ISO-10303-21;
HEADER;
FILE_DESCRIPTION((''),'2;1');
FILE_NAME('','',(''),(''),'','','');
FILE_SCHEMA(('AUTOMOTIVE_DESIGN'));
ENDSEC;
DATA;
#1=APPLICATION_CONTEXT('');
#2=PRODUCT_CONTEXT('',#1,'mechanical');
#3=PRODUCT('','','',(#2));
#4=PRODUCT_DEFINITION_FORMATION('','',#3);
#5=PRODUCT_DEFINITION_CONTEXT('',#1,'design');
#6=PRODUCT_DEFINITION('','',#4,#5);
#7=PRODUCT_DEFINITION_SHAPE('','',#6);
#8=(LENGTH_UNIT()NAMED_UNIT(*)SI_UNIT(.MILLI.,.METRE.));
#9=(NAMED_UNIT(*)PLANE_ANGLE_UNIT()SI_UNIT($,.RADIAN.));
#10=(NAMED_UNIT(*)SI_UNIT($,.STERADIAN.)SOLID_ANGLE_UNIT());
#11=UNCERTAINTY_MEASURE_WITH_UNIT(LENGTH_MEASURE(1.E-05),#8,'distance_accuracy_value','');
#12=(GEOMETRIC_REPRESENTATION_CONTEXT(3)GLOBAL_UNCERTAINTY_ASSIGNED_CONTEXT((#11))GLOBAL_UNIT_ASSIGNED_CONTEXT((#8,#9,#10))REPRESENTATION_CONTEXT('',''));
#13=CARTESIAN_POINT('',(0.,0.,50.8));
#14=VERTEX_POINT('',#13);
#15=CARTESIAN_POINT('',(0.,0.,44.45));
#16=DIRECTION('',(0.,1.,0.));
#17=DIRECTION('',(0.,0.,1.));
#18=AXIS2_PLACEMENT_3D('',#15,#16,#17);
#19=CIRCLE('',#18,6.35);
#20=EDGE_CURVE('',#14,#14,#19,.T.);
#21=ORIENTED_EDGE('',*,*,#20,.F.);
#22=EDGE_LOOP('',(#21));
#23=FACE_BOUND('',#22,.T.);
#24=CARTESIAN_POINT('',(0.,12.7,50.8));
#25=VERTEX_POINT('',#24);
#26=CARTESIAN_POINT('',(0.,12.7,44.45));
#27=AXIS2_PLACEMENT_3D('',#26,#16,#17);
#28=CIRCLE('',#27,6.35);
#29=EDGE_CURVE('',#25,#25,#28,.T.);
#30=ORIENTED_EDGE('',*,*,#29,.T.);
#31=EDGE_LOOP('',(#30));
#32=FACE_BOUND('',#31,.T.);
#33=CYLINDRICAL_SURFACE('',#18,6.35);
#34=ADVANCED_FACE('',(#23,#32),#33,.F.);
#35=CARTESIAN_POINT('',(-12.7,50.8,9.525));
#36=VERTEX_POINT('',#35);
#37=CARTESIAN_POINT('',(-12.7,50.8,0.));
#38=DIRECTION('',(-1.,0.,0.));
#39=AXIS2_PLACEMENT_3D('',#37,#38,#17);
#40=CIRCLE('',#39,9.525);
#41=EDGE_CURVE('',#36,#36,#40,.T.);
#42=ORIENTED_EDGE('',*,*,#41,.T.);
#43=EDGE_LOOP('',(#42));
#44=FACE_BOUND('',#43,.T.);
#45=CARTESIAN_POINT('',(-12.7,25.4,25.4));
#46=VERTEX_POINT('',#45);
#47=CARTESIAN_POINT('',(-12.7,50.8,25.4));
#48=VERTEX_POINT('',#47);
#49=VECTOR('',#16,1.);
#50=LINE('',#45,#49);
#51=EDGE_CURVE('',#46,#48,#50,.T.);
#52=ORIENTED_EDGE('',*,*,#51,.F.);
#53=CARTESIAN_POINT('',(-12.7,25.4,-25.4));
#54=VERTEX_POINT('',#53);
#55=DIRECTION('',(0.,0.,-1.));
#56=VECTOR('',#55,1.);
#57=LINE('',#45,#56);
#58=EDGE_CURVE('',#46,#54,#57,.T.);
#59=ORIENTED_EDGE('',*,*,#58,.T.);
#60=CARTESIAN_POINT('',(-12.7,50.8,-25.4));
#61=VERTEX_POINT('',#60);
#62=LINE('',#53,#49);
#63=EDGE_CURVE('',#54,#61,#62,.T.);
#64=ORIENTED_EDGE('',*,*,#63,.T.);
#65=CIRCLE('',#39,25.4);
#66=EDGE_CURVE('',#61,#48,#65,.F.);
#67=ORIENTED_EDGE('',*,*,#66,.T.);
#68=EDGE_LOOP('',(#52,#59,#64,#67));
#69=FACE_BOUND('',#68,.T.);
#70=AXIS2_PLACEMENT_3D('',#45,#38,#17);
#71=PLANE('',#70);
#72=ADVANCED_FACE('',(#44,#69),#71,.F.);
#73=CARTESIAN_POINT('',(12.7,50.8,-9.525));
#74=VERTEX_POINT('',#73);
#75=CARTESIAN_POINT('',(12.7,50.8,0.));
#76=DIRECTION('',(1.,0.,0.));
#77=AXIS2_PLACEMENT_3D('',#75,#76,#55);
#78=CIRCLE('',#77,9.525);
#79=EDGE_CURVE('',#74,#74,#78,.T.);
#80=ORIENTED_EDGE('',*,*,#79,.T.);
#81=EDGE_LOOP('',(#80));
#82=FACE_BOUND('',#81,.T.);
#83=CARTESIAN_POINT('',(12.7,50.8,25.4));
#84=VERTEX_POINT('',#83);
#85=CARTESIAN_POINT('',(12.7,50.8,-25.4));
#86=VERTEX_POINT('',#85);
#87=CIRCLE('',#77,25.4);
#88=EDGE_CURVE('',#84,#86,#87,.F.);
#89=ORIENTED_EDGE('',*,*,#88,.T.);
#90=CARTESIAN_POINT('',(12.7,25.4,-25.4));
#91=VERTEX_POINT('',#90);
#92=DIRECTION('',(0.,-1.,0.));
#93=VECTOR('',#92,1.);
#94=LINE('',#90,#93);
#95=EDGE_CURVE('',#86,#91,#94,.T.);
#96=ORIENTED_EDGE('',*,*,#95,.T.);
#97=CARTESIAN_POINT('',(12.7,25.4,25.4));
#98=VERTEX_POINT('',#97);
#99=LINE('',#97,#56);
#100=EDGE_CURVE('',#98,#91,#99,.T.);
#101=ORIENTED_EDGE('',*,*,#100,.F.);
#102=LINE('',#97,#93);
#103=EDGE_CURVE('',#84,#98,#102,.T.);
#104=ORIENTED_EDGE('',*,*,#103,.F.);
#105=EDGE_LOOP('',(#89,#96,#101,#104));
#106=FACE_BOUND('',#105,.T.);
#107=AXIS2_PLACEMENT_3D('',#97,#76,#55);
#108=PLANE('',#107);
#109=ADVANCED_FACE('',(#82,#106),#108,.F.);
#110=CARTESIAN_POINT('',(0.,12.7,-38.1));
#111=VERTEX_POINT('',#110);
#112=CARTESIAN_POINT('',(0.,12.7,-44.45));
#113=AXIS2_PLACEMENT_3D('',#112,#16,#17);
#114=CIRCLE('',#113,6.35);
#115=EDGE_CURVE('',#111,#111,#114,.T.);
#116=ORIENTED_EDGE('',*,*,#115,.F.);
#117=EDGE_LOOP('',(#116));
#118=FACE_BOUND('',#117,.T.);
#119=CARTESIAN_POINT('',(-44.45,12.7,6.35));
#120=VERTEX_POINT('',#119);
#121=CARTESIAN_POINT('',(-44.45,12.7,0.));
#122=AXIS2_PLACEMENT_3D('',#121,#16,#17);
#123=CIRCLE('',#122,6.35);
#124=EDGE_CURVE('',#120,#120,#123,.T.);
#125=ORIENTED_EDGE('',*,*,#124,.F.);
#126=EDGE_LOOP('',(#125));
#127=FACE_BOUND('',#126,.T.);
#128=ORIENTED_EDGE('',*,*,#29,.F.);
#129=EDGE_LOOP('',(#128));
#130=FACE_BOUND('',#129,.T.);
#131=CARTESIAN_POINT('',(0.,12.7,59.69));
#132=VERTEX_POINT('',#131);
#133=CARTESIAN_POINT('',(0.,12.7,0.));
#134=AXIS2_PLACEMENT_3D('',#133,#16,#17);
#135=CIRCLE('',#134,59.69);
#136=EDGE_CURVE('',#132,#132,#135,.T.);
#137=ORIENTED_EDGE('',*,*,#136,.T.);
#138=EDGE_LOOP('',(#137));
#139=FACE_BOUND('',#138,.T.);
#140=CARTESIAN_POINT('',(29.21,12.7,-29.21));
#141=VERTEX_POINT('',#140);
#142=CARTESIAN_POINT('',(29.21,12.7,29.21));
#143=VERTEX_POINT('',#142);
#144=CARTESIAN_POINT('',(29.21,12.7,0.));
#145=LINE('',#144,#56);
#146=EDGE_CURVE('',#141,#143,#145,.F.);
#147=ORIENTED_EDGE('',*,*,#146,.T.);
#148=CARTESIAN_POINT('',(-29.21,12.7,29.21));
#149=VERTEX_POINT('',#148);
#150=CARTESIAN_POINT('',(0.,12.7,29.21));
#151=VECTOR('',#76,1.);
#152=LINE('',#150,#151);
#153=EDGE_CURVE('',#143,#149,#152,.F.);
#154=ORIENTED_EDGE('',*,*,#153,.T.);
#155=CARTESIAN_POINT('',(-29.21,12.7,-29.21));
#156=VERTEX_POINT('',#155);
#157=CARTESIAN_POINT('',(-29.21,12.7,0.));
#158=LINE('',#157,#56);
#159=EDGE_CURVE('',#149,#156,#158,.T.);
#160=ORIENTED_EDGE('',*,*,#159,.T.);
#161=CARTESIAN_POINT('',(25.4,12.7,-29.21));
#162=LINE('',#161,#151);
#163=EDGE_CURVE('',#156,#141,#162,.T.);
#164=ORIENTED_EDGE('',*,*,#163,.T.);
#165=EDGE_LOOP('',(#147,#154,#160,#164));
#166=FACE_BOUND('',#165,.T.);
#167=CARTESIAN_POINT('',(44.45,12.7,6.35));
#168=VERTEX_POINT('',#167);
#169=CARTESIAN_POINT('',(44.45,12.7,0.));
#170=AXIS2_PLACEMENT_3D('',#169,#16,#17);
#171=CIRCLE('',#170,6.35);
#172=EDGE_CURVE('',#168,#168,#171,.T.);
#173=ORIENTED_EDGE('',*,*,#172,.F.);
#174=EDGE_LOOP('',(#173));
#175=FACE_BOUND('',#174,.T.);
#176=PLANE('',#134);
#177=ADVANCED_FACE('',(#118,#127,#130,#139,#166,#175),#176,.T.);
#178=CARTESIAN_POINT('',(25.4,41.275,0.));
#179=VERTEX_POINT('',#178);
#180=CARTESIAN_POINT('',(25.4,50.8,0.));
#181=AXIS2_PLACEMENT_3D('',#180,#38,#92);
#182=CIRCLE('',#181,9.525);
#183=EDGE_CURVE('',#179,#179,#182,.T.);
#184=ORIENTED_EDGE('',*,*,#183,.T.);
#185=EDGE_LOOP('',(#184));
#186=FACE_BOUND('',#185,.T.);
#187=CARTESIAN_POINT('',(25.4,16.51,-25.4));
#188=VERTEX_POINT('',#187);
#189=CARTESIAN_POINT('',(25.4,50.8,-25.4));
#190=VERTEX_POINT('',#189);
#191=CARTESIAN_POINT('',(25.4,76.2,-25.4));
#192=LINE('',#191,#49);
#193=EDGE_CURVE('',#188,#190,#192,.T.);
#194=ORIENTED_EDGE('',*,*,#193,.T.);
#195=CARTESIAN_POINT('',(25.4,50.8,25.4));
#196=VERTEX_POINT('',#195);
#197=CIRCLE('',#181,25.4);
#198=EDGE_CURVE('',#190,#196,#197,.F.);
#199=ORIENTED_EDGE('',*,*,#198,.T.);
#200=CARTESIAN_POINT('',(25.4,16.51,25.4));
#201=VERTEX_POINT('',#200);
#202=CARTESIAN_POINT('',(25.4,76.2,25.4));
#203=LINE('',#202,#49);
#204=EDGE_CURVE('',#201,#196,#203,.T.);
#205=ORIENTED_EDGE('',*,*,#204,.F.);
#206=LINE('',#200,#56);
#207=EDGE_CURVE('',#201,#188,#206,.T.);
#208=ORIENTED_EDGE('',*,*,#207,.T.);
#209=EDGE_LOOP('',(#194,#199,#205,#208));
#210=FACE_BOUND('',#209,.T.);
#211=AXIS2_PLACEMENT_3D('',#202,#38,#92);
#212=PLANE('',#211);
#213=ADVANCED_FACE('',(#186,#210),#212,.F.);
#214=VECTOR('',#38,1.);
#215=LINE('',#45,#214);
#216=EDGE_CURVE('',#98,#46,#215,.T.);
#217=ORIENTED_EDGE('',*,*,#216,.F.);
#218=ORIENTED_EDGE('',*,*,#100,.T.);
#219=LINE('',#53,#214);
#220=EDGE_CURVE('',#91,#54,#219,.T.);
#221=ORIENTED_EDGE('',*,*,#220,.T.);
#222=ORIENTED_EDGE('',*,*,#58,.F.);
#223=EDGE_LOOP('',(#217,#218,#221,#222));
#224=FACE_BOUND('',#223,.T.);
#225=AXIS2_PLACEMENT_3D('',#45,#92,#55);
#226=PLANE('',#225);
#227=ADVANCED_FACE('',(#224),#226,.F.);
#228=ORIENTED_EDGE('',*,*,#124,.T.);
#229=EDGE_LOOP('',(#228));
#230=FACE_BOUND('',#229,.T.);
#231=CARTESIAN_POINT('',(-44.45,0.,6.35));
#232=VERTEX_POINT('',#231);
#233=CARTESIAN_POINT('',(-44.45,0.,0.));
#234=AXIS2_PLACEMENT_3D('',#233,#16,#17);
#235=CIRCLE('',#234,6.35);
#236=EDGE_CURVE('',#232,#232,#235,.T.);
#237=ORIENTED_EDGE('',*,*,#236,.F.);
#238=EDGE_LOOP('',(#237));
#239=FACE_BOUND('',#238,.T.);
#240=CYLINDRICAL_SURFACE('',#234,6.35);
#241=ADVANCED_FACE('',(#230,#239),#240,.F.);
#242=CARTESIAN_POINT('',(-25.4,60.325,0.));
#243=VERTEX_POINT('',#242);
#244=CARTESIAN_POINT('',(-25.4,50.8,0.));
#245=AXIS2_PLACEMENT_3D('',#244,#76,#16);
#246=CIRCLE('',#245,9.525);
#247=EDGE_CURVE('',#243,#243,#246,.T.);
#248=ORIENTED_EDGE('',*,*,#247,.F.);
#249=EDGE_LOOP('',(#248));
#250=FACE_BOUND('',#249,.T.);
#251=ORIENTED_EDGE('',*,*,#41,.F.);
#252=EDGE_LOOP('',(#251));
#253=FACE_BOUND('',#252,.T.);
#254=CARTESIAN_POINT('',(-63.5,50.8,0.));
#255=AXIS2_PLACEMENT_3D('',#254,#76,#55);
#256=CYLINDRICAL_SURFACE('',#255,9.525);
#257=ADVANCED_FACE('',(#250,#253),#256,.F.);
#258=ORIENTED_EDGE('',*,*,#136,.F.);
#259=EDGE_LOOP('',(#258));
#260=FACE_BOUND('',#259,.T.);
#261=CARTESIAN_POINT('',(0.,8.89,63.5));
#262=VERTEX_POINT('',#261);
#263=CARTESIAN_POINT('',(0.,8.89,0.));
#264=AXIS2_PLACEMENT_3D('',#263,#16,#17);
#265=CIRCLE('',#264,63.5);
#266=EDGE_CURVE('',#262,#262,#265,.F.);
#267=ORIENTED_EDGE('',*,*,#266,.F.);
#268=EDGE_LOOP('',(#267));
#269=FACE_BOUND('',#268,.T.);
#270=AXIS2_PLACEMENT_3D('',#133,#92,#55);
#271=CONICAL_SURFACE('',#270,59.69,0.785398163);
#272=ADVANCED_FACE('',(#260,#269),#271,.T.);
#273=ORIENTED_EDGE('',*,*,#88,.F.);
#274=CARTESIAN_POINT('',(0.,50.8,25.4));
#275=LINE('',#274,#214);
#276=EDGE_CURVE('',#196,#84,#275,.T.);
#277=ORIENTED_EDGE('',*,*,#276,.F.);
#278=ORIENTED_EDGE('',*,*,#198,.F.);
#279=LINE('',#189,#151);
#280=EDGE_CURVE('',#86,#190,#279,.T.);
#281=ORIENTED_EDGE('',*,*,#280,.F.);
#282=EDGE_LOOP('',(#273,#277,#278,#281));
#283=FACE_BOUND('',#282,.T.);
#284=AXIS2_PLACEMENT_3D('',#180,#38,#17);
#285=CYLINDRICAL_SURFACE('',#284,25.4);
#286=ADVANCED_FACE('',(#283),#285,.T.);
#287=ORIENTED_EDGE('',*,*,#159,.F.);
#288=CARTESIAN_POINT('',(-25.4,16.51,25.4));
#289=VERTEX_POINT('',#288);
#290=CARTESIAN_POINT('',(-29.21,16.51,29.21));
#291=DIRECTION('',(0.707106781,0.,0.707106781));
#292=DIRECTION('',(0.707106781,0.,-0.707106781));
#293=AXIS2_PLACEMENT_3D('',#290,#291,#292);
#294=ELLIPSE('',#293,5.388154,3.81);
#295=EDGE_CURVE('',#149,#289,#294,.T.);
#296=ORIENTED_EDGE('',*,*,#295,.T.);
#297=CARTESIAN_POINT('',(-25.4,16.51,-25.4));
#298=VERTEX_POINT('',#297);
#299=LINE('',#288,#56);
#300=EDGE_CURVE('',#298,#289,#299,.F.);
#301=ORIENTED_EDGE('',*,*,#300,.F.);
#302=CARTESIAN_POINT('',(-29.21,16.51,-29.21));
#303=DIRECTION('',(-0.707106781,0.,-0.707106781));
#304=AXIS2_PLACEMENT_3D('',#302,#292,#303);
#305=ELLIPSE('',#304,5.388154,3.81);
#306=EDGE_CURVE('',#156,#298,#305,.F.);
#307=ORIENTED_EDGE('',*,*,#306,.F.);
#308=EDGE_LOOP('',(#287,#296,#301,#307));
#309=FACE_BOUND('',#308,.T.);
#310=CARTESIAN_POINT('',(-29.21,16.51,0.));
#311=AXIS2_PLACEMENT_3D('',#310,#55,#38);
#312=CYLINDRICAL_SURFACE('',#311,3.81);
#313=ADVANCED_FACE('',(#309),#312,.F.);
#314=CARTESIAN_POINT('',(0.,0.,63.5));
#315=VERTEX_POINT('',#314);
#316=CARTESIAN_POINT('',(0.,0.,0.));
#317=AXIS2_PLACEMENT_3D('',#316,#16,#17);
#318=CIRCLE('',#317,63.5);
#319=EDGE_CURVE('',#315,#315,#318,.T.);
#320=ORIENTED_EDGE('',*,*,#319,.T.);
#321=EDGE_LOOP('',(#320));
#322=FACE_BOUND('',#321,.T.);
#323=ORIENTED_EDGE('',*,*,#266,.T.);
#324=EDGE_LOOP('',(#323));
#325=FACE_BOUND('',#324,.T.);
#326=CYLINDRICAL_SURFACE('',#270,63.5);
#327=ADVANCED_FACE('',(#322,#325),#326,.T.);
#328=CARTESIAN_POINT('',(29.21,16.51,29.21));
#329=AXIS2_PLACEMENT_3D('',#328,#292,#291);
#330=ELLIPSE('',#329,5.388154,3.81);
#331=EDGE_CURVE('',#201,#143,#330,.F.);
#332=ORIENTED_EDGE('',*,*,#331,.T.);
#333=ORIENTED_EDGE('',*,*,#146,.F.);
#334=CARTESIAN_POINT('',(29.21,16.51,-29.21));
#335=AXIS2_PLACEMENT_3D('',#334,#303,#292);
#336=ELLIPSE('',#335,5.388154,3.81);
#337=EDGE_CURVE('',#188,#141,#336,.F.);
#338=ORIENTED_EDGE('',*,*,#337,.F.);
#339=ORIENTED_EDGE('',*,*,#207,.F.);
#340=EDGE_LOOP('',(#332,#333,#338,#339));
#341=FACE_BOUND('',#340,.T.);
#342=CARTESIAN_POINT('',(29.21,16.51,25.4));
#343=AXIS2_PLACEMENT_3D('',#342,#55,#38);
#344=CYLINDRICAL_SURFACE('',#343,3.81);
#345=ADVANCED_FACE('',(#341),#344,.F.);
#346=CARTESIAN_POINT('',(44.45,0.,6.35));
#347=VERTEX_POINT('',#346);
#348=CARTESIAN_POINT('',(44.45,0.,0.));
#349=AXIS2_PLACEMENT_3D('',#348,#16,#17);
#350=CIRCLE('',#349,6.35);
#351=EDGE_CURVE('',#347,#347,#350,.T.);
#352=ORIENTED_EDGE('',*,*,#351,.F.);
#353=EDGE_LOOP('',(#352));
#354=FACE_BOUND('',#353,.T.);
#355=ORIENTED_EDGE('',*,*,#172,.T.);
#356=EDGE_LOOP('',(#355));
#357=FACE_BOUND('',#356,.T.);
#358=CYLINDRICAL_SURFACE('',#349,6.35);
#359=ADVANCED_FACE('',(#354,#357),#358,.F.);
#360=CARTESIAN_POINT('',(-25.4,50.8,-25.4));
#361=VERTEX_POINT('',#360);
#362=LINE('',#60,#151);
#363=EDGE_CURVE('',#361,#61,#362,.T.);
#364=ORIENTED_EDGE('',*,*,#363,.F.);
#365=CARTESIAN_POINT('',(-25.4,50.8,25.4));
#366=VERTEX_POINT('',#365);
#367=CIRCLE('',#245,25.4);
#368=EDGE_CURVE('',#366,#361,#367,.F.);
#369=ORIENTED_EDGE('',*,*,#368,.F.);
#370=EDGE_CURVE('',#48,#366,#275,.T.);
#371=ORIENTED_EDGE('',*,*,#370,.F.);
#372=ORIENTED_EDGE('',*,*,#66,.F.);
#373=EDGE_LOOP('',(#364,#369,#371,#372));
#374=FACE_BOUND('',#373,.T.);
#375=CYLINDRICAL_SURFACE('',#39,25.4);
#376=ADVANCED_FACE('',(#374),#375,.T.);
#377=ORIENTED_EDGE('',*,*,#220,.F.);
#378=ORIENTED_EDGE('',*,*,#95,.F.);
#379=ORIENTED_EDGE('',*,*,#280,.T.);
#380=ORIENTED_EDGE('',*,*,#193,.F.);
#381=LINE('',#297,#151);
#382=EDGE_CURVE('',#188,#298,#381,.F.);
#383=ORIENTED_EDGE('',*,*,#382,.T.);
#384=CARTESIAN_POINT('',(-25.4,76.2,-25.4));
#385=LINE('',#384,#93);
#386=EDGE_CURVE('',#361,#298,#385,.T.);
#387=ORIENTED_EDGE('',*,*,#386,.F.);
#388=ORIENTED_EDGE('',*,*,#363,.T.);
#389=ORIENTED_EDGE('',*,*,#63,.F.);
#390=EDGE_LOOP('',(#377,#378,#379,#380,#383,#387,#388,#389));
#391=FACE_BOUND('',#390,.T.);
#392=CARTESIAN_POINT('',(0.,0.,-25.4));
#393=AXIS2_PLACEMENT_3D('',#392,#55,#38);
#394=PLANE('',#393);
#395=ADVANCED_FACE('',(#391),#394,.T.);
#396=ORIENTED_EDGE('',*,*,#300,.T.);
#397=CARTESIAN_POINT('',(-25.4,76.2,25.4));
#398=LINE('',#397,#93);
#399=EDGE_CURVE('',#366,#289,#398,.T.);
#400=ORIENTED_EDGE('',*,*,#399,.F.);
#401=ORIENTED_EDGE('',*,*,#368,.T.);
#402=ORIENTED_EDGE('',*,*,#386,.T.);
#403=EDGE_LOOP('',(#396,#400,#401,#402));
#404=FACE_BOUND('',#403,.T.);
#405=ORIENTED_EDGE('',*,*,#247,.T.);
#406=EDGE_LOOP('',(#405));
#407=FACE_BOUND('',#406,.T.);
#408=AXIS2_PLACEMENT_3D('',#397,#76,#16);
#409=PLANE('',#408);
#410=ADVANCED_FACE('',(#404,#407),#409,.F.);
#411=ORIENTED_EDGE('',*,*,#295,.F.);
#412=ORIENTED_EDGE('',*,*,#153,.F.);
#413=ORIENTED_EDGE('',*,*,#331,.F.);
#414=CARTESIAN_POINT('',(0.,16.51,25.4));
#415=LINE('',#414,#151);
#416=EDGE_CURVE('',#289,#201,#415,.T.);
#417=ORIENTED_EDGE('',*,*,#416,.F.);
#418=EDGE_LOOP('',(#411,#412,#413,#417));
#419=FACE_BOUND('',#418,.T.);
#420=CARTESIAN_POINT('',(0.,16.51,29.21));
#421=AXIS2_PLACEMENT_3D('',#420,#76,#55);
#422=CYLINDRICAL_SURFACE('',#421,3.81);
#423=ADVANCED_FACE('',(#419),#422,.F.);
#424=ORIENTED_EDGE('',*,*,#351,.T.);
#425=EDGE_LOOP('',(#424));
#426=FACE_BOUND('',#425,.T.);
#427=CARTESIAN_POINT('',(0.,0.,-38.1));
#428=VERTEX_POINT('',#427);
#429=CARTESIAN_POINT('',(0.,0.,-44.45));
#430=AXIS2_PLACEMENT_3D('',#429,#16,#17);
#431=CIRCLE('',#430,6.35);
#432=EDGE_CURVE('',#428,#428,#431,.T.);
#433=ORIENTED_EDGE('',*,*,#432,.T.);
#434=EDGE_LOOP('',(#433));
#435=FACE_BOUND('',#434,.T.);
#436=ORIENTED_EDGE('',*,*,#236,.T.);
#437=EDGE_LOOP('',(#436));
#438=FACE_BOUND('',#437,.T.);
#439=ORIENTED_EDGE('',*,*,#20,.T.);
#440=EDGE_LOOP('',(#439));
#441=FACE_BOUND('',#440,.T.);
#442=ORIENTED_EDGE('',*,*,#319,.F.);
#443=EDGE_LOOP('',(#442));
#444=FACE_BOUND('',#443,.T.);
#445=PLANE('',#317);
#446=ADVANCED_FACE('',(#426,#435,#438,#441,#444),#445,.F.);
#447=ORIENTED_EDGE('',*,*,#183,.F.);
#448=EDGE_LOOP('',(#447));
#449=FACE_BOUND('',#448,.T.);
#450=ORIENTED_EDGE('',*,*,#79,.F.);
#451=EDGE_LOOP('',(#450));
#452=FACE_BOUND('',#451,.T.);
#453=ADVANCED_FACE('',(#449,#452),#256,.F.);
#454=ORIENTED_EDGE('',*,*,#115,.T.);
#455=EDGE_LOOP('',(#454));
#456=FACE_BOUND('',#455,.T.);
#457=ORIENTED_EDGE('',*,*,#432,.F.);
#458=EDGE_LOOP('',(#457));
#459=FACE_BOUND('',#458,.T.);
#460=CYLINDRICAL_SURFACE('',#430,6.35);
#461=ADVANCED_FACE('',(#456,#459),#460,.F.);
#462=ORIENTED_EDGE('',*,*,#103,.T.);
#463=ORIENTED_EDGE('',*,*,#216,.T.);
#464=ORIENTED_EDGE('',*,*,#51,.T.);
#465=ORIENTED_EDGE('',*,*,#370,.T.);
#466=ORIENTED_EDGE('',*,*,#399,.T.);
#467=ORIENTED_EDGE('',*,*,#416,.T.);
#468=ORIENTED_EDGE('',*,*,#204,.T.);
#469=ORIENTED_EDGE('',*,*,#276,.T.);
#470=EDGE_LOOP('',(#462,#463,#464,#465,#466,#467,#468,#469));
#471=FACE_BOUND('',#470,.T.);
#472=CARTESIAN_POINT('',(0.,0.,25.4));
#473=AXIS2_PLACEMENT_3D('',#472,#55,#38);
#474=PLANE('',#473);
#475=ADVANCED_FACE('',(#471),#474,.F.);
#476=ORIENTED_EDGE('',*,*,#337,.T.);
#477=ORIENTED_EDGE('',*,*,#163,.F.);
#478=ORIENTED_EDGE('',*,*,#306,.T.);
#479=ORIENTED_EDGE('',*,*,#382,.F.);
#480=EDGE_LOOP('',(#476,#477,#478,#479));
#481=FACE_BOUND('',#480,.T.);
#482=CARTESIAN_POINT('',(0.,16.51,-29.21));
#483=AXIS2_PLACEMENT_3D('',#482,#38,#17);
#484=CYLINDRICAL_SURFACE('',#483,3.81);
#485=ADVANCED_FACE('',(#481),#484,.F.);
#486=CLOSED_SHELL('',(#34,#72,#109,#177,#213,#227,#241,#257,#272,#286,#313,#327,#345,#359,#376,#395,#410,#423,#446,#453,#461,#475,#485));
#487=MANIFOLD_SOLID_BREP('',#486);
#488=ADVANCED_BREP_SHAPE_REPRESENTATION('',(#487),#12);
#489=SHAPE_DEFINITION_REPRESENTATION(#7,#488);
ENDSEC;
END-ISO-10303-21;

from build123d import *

# Parameters (mm, degrees)
SKETCH1_R           = 63.5
BASE_DEPTH          = 12.7
MOUNT_DEPTH         = 25.4
FILLET1_RADIUS      = 25.4
FILLET1_LENGTH      = 12.7
FILLET2_RADIUS      = 25.4
FILLET2_LENGTH      = 12.7
PIN_HOLE_DEPTH      = 118.774954893
PIN_HOLE_DEPTH_BACK = 118.774954893
SKETCH3_R           = 9.525
SKETCH4_R           = 6.35
BOLT_PATTERN_DEPTH  = 110.985226281
FILLET3_R           = 3.81
CHAMFER1_SIZE       = 3.81


with BuildPart() as part:
    # Sketch1 → Base (new body)
    with BuildSketch(Plane(origin=(0, 0, 0), x_dir=(1, 0, 0), z_dir=(0, 1, 0))):
        with Locations(Location((0, 0, 0), (0, 0, 270))):
            Circle(SKETCH1_R)
    extrude(amount=BASE_DEPTH)

    # Sketch2 → Mount (add, symmetric)
    with BuildSketch(Plane.XY):
        Polygon((-12.7, 25.4), (12.7, 25.4), (12.7, 76.2), (25.4, 76.2), (25.4, 12.7), (-25.4, 12.7), (-25.4, 76.2), (-12.7, 76.2), align=None)
    extrude(amount=MOUNT_DEPTH, both=True)

    # Fillet1: full round fillet: the end face becomes a half cylinder, R = half its width
    fillet1_face = Plane((19.05, 76.2, 0), x_dir=(-1, 0, 0), z_dir=(0, 1, 0))  # on the end face: x along it, z out of the body
    fillet1_slab = fillet1_face.offset(-FILLET1_RADIUS / 2) * Box(FILLET1_LENGTH, 2 * FILLET1_RADIUS, FILLET1_RADIUS, mode=Mode.PRIVATE)  # the body's end, R deep
    fillet1_round = Plane((19.05, 50.8, 0), x_dir=(0, 1, 0), z_dir=(-1, 0, 0)) * Cylinder(FILLET1_RADIUS, FILLET1_LENGTH, mode=Mode.PRIVATE)  # its axis R under the face
    add(fillet1_slab - fillet1_round, mode=Mode.SUBTRACT)

    # Fillet2: full round fillet: the end face becomes a half cylinder, R = half its width
    fillet2_face = Plane((-19.05, 76.2, 0), x_dir=(1, 0, 0), z_dir=(0, 1, 0))  # on the end face: x along it, z out of the body
    fillet2_slab = fillet2_face.offset(-FILLET2_RADIUS / 2) * Box(FILLET2_LENGTH, 2 * FILLET2_RADIUS, FILLET2_RADIUS, mode=Mode.PRIVATE)  # the body's end, R deep
    fillet2_round = Plane((-19.05, 50.8, 0), x_dir=(0, 1, 0), z_dir=(1, 0, 0)) * Cylinder(FILLET2_RADIUS, FILLET2_LENGTH, mode=Mode.PRIVATE)  # its axis R under the face
    add(fillet2_slab - fillet2_round, mode=Mode.SUBTRACT)

    # Sketch3 → Pin Hole (cut, two sides: drawn at the far end of the back side and taken through both)
    with BuildSketch(Plane(origin=(0, 0, 0), x_dir=(0, 0, -1), z_dir=(1, 0, 0)).offset(-PIN_HOLE_DEPTH_BACK)):
        with Locations((0, 50.8)):
            Circle(SKETCH3_R)
    extrude(amount=PIN_HOLE_DEPTH + PIN_HOLE_DEPTH_BACK, mode=Mode.SUBTRACT)

    # Sketch4 → Bolt Pattern (cut, through all)
    with BuildSketch(Plane(origin=(0, 12.7, 0), x_dir=(1, 0, 0), z_dir=(0, 1, 0))):
        with Locations(Location((0, -44.45, 0), (0, 0, 270))):
            Circle(SKETCH4_R)
        with Locations(Location((-44.45, 0, 0), (0, 0, 270))):
            Circle(SKETCH4_R)
        with Locations(Location((0, 44.45, 0), (0, 0, 270))):
            Circle(SKETCH4_R)
        with Locations(Location((44.45, 0, 0), (0, 0, 270))):
            Circle(SKETCH4_R)
    extrude(amount=-BOLT_PATTERN_DEPTH, mode=Mode.SUBTRACT)

    # Fillet3
    fillet3_edges = [part.edges().sort_by_distance(p)[0] for p in [
        (25.4, 12.7, 0),
        (0, 12.7, 25.4),
        (0, 12.7, -25.4),
        (-25.4, 12.7, 0),
    ]]
    fillet(fillet3_edges, radius=FILLET3_R)

    # Chamfer1
    chamfer1_edges = [part.edges().sort_by_distance(p)[0] for p in [
        (0, 12.7, -63.5),
    ]]
    chamfer(chamfer1_edges, length=CHAMFER1_SIZE)


solid = part.part
